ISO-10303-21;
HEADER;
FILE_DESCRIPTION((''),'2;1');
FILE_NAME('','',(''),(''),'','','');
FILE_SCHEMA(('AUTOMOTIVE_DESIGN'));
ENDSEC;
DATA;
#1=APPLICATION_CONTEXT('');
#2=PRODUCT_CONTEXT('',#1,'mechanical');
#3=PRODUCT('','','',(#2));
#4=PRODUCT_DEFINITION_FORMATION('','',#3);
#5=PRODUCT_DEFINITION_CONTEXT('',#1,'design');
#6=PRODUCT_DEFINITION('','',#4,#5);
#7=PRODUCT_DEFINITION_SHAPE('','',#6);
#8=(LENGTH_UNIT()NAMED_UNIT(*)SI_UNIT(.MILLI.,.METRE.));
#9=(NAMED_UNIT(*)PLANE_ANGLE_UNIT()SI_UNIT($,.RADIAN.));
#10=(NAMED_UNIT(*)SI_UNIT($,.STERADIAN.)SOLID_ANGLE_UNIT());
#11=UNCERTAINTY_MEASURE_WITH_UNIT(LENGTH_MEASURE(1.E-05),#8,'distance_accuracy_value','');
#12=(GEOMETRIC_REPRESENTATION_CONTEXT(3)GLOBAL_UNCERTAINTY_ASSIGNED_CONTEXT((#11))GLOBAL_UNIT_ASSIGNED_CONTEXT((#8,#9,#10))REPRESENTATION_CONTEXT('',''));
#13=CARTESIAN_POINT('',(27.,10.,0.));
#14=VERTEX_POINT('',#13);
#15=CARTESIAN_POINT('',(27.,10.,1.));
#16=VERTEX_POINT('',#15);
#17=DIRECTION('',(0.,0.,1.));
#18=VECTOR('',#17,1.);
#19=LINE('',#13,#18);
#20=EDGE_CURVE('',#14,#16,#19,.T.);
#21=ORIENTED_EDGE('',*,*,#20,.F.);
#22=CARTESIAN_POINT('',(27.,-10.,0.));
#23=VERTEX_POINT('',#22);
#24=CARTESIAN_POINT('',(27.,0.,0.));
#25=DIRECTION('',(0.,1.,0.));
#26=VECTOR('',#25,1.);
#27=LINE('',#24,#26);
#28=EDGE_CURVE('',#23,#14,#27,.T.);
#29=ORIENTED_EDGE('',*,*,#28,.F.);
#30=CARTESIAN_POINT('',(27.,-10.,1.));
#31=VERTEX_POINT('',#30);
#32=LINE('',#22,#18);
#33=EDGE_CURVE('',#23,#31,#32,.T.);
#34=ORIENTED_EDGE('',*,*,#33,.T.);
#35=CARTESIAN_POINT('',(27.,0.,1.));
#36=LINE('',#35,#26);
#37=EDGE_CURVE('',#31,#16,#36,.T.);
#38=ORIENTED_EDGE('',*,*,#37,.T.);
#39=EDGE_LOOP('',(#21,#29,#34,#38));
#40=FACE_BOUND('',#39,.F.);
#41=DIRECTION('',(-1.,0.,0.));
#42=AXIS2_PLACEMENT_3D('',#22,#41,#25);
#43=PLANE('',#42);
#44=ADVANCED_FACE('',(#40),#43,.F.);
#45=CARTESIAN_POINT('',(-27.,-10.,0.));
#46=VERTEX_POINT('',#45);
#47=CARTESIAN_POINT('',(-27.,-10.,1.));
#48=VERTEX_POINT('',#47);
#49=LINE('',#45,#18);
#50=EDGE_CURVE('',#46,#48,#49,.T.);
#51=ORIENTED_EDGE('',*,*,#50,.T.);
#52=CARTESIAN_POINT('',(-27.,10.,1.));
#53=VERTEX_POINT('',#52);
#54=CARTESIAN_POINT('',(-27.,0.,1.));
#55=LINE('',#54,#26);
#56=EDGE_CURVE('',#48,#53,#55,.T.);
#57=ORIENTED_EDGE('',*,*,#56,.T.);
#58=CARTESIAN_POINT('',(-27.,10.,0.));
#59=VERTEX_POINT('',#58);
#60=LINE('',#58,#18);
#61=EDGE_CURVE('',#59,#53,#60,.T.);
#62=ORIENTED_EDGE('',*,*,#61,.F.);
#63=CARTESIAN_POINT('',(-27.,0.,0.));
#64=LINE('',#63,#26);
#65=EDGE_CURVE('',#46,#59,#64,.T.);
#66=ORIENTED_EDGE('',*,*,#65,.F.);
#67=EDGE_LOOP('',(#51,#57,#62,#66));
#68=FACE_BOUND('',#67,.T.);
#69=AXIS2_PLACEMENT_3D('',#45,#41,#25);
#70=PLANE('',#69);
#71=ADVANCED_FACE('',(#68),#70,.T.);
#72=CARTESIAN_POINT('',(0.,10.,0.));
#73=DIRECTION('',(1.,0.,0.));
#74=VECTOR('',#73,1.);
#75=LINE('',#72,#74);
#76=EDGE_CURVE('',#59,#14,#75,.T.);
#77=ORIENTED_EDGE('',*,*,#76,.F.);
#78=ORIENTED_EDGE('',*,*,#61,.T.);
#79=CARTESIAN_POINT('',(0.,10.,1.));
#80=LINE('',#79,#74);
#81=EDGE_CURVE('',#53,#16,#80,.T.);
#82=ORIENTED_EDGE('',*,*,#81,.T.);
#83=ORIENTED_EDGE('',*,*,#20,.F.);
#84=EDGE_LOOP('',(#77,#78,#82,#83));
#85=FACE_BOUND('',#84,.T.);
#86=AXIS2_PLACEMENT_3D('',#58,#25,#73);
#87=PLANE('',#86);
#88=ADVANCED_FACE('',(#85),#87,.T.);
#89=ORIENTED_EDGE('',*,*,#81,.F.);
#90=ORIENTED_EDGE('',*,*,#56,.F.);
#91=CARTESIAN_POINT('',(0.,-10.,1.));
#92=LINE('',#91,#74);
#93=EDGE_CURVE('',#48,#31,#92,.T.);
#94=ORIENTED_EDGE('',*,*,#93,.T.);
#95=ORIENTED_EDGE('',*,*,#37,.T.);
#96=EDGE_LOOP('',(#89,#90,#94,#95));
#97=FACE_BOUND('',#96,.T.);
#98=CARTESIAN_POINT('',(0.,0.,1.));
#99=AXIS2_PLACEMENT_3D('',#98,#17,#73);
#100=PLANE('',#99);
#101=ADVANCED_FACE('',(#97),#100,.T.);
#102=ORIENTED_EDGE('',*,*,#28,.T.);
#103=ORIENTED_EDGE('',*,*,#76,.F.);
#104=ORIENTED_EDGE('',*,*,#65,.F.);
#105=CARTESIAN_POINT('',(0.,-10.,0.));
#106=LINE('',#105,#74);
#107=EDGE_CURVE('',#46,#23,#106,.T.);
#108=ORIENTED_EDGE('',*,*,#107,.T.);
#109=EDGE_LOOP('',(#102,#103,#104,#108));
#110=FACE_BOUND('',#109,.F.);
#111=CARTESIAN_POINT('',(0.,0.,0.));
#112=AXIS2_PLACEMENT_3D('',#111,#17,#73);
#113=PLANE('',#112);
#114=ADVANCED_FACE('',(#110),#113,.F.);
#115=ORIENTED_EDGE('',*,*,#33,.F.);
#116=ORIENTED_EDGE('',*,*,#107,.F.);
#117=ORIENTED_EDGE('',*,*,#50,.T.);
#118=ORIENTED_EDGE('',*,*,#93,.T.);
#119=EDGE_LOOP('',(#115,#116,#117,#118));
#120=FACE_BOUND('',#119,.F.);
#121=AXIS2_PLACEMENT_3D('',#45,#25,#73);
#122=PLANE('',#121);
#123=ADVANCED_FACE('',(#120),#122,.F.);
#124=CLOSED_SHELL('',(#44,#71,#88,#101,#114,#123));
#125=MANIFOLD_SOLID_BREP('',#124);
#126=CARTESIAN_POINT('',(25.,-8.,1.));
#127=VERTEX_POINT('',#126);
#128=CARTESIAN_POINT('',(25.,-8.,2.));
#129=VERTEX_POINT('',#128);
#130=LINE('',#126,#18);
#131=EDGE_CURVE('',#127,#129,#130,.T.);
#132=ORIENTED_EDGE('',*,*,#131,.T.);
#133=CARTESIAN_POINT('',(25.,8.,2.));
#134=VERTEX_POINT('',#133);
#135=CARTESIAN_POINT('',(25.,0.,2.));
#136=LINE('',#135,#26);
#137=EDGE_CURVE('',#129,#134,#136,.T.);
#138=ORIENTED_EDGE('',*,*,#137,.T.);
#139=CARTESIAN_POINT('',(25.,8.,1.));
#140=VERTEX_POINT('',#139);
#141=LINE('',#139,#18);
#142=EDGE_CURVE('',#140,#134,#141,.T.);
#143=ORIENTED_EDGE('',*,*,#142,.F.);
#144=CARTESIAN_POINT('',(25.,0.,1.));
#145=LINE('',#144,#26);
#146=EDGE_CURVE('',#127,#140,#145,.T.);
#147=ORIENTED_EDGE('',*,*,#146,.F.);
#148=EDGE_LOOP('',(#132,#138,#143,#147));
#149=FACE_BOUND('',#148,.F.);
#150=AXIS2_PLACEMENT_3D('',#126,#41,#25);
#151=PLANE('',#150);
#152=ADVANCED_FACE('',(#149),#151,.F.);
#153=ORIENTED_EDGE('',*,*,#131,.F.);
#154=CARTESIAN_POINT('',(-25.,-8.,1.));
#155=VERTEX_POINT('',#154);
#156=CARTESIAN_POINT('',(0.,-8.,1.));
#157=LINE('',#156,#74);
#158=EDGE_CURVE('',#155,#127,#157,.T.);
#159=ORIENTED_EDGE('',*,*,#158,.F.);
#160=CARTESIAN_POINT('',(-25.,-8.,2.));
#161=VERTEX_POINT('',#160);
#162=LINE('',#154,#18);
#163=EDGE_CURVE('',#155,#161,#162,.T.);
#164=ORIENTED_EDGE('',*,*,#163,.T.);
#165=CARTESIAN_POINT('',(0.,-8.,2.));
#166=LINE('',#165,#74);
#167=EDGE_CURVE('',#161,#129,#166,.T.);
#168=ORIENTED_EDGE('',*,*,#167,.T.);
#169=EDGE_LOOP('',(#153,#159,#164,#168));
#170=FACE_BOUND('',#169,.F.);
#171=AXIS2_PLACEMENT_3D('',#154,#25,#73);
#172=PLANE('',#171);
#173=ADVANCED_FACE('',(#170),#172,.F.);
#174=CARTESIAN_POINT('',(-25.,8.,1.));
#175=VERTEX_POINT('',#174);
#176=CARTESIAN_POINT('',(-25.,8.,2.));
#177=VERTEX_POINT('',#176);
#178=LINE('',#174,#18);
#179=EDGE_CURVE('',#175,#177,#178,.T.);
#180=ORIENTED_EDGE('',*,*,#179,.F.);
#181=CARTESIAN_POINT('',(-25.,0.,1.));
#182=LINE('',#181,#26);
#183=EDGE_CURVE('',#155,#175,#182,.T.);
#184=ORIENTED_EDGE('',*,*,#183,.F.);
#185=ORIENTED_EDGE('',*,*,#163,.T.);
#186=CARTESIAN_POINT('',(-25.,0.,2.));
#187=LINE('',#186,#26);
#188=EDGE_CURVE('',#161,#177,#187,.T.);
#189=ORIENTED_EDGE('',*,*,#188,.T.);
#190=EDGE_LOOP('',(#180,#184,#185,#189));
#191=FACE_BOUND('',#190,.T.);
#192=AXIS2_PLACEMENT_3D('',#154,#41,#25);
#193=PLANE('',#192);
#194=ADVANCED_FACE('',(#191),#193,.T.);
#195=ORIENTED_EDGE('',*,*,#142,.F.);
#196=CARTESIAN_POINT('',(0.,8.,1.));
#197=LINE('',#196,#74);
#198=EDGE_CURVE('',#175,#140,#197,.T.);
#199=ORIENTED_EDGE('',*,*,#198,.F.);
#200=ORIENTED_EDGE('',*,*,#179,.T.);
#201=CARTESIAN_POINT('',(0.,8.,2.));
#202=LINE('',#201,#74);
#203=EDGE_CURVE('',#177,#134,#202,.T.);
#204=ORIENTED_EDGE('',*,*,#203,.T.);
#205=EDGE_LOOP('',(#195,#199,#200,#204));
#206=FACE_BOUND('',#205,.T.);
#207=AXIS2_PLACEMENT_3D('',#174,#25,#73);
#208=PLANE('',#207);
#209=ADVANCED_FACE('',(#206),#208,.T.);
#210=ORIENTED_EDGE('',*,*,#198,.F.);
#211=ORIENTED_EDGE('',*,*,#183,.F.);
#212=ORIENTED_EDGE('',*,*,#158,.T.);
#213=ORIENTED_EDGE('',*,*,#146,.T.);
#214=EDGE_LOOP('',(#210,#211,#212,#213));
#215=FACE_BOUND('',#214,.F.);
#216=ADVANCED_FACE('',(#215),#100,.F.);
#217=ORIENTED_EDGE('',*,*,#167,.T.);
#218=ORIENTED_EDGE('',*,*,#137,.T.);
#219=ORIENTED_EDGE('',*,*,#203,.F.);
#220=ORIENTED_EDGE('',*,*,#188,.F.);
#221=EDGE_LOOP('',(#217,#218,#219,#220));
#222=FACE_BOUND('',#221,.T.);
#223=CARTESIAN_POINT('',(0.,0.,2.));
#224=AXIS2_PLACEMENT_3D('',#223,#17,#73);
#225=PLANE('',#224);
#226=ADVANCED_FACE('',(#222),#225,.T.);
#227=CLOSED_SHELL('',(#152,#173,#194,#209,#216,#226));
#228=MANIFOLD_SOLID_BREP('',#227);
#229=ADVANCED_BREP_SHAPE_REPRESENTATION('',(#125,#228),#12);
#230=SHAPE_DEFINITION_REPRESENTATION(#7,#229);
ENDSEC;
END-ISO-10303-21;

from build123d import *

# Parameters (mm, degrees)
F0_W     = 54
F0_H     = 20
F1_DEPTH = 1
F2_W     = 50
F2_H     = 16
F3_DEPTH = 1


with BuildPart() as f1:
    # F0 (on Top) → F1 (new body)
    with BuildSketch(Plane.XY):
        Rectangle(F0_W, F0_H)
    extrude(amount=F1_DEPTH)


with BuildPart() as f3:
    # F2 (on face) → F3 (new body)
    with BuildSketch(Plane.XY.offset(1)):
        Rectangle(F2_W, F2_H)
    extrude(amount=F3_DEPTH)


solid = Compound([f1.part, f3.part])
